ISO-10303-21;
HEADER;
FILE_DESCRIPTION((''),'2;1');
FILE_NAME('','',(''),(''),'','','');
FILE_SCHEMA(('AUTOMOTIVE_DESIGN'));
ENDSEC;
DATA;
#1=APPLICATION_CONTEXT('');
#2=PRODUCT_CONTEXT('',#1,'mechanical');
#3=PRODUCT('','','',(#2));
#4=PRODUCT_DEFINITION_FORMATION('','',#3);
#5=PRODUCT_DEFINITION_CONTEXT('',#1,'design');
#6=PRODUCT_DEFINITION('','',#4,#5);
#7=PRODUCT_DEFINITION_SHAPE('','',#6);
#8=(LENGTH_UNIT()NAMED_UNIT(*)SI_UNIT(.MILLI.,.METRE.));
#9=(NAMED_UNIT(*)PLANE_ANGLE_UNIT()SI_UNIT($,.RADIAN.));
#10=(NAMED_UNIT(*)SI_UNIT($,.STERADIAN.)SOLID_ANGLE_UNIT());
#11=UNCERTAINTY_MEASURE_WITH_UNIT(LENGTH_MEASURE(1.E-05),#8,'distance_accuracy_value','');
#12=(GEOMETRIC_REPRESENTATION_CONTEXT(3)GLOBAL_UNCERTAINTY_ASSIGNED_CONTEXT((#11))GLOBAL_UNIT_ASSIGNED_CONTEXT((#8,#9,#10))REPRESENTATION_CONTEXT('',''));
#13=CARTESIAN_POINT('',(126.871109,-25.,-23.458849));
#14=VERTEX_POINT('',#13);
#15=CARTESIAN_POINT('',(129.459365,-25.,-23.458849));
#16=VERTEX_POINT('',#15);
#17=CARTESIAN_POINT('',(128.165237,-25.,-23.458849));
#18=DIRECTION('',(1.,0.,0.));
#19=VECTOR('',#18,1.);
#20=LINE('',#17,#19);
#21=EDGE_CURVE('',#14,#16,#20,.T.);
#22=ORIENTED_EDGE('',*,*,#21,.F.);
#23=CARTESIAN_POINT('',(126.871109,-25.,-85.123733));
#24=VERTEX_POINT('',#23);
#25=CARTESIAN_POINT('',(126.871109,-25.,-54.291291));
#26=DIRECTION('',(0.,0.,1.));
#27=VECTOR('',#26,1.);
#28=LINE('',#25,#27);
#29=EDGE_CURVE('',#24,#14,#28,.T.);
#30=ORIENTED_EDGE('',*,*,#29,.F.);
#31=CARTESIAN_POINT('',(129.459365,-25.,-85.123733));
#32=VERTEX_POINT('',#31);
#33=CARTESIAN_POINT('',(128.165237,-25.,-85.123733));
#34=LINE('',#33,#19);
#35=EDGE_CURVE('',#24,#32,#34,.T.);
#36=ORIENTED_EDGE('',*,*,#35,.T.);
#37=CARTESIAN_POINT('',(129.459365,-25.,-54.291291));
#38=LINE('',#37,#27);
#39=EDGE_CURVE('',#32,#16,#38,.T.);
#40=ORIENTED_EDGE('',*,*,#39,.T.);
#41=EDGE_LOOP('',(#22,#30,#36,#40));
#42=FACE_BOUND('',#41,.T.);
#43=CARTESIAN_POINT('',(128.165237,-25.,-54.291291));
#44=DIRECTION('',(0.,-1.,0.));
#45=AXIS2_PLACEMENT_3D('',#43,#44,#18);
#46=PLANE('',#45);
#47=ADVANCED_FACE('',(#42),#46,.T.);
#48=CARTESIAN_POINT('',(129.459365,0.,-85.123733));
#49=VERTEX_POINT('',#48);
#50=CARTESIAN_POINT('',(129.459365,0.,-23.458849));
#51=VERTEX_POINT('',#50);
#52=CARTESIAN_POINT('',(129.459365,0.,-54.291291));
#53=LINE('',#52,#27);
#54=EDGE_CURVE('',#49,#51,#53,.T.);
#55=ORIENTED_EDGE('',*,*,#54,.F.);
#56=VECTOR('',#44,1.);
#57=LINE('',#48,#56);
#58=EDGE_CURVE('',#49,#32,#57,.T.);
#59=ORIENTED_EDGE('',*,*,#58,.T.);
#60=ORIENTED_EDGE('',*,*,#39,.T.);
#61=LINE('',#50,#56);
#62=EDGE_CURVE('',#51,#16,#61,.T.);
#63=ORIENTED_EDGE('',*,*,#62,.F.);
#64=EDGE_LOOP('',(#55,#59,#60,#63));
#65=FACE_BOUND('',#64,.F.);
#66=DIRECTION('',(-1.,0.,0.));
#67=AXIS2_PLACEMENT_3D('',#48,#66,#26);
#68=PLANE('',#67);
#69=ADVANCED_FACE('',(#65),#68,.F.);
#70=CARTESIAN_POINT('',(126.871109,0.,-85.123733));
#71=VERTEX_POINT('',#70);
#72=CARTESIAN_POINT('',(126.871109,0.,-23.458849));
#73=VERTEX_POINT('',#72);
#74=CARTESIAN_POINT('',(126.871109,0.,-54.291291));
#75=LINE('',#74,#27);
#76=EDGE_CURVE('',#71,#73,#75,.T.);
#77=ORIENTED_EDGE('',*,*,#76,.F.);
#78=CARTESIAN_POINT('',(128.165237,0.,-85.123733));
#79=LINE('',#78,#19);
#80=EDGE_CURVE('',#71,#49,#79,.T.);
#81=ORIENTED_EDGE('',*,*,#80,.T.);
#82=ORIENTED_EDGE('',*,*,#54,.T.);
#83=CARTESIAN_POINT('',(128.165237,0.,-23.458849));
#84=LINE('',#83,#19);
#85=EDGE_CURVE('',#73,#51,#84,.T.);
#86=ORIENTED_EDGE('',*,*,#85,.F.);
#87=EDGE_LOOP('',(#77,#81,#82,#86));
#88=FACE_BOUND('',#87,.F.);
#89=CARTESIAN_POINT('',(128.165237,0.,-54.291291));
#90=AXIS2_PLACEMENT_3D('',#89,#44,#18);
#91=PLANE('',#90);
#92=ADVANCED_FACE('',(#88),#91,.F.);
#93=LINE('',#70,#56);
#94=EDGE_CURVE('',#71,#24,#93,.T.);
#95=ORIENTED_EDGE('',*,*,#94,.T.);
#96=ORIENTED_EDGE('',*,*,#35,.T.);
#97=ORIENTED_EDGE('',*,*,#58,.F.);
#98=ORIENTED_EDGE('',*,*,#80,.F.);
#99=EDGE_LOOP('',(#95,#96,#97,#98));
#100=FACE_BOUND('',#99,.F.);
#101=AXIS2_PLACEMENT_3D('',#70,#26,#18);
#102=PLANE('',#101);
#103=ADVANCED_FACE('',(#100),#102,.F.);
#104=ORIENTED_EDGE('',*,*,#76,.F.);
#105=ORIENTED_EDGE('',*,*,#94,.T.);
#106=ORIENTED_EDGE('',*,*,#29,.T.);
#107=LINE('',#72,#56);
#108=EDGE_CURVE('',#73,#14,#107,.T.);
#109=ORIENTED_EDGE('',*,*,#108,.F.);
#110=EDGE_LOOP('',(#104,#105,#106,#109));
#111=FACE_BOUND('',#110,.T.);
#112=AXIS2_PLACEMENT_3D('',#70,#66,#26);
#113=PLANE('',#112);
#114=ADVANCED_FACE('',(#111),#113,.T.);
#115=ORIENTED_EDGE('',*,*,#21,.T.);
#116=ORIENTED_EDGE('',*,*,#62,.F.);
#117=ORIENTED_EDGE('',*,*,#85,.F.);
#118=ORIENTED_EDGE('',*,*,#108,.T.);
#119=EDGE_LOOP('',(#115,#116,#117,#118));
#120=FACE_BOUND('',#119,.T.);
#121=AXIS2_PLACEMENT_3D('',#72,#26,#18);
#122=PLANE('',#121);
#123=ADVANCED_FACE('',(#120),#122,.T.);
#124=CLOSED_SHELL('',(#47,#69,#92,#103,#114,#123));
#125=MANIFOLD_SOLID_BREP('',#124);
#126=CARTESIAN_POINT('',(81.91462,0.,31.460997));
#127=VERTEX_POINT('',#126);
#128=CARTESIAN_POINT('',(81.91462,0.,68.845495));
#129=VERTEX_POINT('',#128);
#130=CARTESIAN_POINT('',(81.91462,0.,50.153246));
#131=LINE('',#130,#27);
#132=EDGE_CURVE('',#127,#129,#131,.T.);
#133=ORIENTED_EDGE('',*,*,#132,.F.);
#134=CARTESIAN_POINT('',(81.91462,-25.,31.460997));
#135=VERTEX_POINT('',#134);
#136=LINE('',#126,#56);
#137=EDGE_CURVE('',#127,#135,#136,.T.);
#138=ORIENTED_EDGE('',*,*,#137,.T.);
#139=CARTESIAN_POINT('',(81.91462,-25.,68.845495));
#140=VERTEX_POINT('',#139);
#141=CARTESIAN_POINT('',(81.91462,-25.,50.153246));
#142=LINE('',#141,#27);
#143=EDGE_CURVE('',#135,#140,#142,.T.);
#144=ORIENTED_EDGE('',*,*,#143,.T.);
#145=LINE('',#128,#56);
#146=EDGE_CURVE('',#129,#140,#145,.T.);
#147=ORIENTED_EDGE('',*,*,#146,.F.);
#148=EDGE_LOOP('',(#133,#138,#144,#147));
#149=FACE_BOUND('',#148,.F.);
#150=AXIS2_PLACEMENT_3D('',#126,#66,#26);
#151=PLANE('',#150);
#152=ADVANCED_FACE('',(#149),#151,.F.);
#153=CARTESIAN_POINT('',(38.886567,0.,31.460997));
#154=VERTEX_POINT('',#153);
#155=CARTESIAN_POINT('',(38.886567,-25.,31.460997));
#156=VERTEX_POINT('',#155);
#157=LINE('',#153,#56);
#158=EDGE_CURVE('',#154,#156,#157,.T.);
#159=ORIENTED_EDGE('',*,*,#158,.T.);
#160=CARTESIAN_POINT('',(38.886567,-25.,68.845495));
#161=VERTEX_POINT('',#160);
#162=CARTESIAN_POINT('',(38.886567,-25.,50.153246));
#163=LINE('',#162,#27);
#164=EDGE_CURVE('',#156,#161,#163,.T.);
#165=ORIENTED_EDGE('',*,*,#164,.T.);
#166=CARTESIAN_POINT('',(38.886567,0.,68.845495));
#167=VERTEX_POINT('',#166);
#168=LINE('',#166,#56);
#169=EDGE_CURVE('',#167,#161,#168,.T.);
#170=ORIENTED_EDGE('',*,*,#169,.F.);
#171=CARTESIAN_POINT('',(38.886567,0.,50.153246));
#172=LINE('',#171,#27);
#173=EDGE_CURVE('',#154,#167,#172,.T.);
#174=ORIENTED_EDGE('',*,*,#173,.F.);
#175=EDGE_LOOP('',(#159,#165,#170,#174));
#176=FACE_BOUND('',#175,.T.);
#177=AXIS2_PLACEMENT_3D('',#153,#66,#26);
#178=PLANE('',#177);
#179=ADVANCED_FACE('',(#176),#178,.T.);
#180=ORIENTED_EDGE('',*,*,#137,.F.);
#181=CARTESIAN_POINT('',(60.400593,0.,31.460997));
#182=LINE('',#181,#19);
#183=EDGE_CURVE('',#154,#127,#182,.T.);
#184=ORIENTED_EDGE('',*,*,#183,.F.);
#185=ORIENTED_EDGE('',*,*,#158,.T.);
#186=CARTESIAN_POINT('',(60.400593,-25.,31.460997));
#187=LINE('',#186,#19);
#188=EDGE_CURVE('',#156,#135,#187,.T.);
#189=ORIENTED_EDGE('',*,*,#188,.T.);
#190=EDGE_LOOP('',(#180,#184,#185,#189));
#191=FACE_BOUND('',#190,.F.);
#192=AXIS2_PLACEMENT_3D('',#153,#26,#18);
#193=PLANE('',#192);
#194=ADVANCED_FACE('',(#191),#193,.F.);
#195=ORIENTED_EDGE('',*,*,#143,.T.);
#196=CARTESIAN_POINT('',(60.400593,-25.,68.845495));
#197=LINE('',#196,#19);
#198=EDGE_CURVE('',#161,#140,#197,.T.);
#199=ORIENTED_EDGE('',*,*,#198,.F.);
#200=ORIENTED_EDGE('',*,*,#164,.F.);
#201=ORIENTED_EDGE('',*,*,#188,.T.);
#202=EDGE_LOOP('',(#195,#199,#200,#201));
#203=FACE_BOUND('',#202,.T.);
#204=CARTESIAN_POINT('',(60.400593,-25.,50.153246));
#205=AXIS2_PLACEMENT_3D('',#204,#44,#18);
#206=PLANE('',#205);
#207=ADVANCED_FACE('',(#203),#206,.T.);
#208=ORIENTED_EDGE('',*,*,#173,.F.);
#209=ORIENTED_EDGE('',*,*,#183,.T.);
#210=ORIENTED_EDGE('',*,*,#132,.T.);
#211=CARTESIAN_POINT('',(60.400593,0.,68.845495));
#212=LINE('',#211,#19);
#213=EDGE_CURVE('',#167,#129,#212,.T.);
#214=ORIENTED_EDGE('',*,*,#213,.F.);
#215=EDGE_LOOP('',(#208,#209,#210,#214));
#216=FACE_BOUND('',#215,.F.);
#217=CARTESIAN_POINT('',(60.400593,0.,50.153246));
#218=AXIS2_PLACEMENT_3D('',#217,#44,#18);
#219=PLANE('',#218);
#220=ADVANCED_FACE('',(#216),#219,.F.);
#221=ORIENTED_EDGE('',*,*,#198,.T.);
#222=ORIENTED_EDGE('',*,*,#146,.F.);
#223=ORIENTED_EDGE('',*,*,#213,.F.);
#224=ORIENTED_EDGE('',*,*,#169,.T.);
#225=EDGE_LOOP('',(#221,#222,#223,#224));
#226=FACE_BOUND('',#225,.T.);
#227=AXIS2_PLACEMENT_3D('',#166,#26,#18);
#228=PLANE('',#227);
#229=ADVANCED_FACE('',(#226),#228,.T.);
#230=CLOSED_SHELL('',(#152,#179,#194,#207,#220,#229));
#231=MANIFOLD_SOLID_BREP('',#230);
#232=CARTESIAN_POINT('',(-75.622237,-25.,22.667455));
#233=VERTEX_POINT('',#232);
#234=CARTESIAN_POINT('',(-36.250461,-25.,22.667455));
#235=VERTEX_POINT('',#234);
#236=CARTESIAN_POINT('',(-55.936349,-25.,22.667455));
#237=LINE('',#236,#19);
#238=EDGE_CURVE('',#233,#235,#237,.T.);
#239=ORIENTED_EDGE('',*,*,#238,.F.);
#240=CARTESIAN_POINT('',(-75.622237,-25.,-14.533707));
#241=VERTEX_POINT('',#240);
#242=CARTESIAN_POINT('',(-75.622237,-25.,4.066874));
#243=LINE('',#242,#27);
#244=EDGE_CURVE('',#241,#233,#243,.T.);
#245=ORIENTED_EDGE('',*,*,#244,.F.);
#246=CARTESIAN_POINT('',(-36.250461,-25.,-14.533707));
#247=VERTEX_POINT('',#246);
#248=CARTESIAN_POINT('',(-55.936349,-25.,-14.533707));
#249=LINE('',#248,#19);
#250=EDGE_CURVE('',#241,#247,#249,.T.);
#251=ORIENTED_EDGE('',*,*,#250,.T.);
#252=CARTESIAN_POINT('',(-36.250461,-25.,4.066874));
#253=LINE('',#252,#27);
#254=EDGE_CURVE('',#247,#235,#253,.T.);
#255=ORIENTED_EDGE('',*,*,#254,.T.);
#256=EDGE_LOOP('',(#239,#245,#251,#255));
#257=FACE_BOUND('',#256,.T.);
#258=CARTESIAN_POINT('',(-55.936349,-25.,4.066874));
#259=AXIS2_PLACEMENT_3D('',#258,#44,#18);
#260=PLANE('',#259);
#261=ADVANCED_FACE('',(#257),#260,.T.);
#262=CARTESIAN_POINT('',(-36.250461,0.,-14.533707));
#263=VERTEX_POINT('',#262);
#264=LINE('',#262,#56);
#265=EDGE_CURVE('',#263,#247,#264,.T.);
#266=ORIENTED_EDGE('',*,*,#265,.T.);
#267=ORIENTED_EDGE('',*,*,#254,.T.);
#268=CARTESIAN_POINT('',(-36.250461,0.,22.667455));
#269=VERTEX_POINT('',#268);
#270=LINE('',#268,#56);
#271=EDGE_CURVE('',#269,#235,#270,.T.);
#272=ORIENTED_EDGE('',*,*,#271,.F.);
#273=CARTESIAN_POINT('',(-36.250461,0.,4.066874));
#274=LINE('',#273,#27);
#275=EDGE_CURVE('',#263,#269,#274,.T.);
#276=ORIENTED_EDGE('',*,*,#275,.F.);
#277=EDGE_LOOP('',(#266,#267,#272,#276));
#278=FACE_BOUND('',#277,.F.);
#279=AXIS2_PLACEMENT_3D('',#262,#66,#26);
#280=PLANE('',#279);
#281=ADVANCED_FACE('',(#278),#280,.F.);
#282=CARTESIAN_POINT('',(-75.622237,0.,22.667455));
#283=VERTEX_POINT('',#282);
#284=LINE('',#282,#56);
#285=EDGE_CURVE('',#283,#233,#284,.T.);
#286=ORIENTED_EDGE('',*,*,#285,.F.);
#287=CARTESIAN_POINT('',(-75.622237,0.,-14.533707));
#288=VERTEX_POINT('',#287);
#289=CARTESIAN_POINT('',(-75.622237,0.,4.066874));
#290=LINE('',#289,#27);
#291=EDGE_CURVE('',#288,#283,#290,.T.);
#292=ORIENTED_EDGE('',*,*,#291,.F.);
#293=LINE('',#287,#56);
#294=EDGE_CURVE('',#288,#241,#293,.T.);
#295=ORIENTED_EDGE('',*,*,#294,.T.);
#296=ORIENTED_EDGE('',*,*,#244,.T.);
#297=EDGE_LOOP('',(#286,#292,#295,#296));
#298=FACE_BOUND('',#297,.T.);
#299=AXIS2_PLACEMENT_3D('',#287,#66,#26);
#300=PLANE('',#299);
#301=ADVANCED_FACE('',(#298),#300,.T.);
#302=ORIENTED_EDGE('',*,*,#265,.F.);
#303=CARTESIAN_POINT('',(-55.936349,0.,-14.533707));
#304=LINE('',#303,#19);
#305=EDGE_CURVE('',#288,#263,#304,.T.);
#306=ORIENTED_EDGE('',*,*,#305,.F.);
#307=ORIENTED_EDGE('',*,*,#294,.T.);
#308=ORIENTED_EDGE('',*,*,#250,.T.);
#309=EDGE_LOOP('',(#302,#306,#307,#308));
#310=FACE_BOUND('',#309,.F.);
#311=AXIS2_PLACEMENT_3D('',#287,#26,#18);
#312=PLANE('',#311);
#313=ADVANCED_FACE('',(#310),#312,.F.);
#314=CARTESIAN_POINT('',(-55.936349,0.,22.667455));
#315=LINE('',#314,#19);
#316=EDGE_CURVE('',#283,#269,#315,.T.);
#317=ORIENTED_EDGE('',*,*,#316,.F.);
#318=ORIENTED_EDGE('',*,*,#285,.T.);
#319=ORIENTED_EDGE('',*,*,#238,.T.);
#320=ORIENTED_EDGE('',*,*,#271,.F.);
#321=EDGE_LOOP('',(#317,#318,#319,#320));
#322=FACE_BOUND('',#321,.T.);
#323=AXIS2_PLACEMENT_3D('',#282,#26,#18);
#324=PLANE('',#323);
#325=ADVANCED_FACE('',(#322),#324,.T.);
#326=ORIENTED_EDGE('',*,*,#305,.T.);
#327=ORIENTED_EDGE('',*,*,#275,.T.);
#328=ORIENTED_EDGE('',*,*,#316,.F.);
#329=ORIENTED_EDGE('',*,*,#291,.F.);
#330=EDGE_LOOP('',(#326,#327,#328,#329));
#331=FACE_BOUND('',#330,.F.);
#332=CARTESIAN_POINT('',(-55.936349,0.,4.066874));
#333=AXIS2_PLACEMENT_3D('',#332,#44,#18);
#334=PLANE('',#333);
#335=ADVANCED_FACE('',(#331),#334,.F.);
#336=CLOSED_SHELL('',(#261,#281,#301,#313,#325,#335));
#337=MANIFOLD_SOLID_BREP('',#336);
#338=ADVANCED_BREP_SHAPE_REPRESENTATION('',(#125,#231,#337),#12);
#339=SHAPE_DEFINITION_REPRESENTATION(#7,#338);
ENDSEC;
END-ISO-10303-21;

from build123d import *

# Parameters (mm, degrees)
F0_W     = 39.371777
F0_H     = 37.201162
F1_DEPTH = 25
F2_W     = 2.588257
F2_H     = 61.664883
F2_W_2   = 43.028053
F2_H_2   = 37.384499
F3_DEPTH = 25


with BuildPart() as f1:
    # F0 (on Front) → F1 (new body)
    with BuildSketch(Plane.XZ):
        with Locations((-55.936349, 4.066874)):
            Rectangle(F0_W, F0_H)
    extrude(amount=F1_DEPTH)


with BuildPart() as f3:
    # F2 (on Front) → F3 (new body)
    with BuildSketch(Plane.XZ):
        with Locations((128.165237, -54.291291)):
            Rectangle(F2_W, F2_H)
        with Locations((60.400593, 50.153246)):
            Rectangle(F2_W_2, F2_H_2)
    extrude(amount=F3_DEPTH)


solid = Compound([f1.part, f3.part])
